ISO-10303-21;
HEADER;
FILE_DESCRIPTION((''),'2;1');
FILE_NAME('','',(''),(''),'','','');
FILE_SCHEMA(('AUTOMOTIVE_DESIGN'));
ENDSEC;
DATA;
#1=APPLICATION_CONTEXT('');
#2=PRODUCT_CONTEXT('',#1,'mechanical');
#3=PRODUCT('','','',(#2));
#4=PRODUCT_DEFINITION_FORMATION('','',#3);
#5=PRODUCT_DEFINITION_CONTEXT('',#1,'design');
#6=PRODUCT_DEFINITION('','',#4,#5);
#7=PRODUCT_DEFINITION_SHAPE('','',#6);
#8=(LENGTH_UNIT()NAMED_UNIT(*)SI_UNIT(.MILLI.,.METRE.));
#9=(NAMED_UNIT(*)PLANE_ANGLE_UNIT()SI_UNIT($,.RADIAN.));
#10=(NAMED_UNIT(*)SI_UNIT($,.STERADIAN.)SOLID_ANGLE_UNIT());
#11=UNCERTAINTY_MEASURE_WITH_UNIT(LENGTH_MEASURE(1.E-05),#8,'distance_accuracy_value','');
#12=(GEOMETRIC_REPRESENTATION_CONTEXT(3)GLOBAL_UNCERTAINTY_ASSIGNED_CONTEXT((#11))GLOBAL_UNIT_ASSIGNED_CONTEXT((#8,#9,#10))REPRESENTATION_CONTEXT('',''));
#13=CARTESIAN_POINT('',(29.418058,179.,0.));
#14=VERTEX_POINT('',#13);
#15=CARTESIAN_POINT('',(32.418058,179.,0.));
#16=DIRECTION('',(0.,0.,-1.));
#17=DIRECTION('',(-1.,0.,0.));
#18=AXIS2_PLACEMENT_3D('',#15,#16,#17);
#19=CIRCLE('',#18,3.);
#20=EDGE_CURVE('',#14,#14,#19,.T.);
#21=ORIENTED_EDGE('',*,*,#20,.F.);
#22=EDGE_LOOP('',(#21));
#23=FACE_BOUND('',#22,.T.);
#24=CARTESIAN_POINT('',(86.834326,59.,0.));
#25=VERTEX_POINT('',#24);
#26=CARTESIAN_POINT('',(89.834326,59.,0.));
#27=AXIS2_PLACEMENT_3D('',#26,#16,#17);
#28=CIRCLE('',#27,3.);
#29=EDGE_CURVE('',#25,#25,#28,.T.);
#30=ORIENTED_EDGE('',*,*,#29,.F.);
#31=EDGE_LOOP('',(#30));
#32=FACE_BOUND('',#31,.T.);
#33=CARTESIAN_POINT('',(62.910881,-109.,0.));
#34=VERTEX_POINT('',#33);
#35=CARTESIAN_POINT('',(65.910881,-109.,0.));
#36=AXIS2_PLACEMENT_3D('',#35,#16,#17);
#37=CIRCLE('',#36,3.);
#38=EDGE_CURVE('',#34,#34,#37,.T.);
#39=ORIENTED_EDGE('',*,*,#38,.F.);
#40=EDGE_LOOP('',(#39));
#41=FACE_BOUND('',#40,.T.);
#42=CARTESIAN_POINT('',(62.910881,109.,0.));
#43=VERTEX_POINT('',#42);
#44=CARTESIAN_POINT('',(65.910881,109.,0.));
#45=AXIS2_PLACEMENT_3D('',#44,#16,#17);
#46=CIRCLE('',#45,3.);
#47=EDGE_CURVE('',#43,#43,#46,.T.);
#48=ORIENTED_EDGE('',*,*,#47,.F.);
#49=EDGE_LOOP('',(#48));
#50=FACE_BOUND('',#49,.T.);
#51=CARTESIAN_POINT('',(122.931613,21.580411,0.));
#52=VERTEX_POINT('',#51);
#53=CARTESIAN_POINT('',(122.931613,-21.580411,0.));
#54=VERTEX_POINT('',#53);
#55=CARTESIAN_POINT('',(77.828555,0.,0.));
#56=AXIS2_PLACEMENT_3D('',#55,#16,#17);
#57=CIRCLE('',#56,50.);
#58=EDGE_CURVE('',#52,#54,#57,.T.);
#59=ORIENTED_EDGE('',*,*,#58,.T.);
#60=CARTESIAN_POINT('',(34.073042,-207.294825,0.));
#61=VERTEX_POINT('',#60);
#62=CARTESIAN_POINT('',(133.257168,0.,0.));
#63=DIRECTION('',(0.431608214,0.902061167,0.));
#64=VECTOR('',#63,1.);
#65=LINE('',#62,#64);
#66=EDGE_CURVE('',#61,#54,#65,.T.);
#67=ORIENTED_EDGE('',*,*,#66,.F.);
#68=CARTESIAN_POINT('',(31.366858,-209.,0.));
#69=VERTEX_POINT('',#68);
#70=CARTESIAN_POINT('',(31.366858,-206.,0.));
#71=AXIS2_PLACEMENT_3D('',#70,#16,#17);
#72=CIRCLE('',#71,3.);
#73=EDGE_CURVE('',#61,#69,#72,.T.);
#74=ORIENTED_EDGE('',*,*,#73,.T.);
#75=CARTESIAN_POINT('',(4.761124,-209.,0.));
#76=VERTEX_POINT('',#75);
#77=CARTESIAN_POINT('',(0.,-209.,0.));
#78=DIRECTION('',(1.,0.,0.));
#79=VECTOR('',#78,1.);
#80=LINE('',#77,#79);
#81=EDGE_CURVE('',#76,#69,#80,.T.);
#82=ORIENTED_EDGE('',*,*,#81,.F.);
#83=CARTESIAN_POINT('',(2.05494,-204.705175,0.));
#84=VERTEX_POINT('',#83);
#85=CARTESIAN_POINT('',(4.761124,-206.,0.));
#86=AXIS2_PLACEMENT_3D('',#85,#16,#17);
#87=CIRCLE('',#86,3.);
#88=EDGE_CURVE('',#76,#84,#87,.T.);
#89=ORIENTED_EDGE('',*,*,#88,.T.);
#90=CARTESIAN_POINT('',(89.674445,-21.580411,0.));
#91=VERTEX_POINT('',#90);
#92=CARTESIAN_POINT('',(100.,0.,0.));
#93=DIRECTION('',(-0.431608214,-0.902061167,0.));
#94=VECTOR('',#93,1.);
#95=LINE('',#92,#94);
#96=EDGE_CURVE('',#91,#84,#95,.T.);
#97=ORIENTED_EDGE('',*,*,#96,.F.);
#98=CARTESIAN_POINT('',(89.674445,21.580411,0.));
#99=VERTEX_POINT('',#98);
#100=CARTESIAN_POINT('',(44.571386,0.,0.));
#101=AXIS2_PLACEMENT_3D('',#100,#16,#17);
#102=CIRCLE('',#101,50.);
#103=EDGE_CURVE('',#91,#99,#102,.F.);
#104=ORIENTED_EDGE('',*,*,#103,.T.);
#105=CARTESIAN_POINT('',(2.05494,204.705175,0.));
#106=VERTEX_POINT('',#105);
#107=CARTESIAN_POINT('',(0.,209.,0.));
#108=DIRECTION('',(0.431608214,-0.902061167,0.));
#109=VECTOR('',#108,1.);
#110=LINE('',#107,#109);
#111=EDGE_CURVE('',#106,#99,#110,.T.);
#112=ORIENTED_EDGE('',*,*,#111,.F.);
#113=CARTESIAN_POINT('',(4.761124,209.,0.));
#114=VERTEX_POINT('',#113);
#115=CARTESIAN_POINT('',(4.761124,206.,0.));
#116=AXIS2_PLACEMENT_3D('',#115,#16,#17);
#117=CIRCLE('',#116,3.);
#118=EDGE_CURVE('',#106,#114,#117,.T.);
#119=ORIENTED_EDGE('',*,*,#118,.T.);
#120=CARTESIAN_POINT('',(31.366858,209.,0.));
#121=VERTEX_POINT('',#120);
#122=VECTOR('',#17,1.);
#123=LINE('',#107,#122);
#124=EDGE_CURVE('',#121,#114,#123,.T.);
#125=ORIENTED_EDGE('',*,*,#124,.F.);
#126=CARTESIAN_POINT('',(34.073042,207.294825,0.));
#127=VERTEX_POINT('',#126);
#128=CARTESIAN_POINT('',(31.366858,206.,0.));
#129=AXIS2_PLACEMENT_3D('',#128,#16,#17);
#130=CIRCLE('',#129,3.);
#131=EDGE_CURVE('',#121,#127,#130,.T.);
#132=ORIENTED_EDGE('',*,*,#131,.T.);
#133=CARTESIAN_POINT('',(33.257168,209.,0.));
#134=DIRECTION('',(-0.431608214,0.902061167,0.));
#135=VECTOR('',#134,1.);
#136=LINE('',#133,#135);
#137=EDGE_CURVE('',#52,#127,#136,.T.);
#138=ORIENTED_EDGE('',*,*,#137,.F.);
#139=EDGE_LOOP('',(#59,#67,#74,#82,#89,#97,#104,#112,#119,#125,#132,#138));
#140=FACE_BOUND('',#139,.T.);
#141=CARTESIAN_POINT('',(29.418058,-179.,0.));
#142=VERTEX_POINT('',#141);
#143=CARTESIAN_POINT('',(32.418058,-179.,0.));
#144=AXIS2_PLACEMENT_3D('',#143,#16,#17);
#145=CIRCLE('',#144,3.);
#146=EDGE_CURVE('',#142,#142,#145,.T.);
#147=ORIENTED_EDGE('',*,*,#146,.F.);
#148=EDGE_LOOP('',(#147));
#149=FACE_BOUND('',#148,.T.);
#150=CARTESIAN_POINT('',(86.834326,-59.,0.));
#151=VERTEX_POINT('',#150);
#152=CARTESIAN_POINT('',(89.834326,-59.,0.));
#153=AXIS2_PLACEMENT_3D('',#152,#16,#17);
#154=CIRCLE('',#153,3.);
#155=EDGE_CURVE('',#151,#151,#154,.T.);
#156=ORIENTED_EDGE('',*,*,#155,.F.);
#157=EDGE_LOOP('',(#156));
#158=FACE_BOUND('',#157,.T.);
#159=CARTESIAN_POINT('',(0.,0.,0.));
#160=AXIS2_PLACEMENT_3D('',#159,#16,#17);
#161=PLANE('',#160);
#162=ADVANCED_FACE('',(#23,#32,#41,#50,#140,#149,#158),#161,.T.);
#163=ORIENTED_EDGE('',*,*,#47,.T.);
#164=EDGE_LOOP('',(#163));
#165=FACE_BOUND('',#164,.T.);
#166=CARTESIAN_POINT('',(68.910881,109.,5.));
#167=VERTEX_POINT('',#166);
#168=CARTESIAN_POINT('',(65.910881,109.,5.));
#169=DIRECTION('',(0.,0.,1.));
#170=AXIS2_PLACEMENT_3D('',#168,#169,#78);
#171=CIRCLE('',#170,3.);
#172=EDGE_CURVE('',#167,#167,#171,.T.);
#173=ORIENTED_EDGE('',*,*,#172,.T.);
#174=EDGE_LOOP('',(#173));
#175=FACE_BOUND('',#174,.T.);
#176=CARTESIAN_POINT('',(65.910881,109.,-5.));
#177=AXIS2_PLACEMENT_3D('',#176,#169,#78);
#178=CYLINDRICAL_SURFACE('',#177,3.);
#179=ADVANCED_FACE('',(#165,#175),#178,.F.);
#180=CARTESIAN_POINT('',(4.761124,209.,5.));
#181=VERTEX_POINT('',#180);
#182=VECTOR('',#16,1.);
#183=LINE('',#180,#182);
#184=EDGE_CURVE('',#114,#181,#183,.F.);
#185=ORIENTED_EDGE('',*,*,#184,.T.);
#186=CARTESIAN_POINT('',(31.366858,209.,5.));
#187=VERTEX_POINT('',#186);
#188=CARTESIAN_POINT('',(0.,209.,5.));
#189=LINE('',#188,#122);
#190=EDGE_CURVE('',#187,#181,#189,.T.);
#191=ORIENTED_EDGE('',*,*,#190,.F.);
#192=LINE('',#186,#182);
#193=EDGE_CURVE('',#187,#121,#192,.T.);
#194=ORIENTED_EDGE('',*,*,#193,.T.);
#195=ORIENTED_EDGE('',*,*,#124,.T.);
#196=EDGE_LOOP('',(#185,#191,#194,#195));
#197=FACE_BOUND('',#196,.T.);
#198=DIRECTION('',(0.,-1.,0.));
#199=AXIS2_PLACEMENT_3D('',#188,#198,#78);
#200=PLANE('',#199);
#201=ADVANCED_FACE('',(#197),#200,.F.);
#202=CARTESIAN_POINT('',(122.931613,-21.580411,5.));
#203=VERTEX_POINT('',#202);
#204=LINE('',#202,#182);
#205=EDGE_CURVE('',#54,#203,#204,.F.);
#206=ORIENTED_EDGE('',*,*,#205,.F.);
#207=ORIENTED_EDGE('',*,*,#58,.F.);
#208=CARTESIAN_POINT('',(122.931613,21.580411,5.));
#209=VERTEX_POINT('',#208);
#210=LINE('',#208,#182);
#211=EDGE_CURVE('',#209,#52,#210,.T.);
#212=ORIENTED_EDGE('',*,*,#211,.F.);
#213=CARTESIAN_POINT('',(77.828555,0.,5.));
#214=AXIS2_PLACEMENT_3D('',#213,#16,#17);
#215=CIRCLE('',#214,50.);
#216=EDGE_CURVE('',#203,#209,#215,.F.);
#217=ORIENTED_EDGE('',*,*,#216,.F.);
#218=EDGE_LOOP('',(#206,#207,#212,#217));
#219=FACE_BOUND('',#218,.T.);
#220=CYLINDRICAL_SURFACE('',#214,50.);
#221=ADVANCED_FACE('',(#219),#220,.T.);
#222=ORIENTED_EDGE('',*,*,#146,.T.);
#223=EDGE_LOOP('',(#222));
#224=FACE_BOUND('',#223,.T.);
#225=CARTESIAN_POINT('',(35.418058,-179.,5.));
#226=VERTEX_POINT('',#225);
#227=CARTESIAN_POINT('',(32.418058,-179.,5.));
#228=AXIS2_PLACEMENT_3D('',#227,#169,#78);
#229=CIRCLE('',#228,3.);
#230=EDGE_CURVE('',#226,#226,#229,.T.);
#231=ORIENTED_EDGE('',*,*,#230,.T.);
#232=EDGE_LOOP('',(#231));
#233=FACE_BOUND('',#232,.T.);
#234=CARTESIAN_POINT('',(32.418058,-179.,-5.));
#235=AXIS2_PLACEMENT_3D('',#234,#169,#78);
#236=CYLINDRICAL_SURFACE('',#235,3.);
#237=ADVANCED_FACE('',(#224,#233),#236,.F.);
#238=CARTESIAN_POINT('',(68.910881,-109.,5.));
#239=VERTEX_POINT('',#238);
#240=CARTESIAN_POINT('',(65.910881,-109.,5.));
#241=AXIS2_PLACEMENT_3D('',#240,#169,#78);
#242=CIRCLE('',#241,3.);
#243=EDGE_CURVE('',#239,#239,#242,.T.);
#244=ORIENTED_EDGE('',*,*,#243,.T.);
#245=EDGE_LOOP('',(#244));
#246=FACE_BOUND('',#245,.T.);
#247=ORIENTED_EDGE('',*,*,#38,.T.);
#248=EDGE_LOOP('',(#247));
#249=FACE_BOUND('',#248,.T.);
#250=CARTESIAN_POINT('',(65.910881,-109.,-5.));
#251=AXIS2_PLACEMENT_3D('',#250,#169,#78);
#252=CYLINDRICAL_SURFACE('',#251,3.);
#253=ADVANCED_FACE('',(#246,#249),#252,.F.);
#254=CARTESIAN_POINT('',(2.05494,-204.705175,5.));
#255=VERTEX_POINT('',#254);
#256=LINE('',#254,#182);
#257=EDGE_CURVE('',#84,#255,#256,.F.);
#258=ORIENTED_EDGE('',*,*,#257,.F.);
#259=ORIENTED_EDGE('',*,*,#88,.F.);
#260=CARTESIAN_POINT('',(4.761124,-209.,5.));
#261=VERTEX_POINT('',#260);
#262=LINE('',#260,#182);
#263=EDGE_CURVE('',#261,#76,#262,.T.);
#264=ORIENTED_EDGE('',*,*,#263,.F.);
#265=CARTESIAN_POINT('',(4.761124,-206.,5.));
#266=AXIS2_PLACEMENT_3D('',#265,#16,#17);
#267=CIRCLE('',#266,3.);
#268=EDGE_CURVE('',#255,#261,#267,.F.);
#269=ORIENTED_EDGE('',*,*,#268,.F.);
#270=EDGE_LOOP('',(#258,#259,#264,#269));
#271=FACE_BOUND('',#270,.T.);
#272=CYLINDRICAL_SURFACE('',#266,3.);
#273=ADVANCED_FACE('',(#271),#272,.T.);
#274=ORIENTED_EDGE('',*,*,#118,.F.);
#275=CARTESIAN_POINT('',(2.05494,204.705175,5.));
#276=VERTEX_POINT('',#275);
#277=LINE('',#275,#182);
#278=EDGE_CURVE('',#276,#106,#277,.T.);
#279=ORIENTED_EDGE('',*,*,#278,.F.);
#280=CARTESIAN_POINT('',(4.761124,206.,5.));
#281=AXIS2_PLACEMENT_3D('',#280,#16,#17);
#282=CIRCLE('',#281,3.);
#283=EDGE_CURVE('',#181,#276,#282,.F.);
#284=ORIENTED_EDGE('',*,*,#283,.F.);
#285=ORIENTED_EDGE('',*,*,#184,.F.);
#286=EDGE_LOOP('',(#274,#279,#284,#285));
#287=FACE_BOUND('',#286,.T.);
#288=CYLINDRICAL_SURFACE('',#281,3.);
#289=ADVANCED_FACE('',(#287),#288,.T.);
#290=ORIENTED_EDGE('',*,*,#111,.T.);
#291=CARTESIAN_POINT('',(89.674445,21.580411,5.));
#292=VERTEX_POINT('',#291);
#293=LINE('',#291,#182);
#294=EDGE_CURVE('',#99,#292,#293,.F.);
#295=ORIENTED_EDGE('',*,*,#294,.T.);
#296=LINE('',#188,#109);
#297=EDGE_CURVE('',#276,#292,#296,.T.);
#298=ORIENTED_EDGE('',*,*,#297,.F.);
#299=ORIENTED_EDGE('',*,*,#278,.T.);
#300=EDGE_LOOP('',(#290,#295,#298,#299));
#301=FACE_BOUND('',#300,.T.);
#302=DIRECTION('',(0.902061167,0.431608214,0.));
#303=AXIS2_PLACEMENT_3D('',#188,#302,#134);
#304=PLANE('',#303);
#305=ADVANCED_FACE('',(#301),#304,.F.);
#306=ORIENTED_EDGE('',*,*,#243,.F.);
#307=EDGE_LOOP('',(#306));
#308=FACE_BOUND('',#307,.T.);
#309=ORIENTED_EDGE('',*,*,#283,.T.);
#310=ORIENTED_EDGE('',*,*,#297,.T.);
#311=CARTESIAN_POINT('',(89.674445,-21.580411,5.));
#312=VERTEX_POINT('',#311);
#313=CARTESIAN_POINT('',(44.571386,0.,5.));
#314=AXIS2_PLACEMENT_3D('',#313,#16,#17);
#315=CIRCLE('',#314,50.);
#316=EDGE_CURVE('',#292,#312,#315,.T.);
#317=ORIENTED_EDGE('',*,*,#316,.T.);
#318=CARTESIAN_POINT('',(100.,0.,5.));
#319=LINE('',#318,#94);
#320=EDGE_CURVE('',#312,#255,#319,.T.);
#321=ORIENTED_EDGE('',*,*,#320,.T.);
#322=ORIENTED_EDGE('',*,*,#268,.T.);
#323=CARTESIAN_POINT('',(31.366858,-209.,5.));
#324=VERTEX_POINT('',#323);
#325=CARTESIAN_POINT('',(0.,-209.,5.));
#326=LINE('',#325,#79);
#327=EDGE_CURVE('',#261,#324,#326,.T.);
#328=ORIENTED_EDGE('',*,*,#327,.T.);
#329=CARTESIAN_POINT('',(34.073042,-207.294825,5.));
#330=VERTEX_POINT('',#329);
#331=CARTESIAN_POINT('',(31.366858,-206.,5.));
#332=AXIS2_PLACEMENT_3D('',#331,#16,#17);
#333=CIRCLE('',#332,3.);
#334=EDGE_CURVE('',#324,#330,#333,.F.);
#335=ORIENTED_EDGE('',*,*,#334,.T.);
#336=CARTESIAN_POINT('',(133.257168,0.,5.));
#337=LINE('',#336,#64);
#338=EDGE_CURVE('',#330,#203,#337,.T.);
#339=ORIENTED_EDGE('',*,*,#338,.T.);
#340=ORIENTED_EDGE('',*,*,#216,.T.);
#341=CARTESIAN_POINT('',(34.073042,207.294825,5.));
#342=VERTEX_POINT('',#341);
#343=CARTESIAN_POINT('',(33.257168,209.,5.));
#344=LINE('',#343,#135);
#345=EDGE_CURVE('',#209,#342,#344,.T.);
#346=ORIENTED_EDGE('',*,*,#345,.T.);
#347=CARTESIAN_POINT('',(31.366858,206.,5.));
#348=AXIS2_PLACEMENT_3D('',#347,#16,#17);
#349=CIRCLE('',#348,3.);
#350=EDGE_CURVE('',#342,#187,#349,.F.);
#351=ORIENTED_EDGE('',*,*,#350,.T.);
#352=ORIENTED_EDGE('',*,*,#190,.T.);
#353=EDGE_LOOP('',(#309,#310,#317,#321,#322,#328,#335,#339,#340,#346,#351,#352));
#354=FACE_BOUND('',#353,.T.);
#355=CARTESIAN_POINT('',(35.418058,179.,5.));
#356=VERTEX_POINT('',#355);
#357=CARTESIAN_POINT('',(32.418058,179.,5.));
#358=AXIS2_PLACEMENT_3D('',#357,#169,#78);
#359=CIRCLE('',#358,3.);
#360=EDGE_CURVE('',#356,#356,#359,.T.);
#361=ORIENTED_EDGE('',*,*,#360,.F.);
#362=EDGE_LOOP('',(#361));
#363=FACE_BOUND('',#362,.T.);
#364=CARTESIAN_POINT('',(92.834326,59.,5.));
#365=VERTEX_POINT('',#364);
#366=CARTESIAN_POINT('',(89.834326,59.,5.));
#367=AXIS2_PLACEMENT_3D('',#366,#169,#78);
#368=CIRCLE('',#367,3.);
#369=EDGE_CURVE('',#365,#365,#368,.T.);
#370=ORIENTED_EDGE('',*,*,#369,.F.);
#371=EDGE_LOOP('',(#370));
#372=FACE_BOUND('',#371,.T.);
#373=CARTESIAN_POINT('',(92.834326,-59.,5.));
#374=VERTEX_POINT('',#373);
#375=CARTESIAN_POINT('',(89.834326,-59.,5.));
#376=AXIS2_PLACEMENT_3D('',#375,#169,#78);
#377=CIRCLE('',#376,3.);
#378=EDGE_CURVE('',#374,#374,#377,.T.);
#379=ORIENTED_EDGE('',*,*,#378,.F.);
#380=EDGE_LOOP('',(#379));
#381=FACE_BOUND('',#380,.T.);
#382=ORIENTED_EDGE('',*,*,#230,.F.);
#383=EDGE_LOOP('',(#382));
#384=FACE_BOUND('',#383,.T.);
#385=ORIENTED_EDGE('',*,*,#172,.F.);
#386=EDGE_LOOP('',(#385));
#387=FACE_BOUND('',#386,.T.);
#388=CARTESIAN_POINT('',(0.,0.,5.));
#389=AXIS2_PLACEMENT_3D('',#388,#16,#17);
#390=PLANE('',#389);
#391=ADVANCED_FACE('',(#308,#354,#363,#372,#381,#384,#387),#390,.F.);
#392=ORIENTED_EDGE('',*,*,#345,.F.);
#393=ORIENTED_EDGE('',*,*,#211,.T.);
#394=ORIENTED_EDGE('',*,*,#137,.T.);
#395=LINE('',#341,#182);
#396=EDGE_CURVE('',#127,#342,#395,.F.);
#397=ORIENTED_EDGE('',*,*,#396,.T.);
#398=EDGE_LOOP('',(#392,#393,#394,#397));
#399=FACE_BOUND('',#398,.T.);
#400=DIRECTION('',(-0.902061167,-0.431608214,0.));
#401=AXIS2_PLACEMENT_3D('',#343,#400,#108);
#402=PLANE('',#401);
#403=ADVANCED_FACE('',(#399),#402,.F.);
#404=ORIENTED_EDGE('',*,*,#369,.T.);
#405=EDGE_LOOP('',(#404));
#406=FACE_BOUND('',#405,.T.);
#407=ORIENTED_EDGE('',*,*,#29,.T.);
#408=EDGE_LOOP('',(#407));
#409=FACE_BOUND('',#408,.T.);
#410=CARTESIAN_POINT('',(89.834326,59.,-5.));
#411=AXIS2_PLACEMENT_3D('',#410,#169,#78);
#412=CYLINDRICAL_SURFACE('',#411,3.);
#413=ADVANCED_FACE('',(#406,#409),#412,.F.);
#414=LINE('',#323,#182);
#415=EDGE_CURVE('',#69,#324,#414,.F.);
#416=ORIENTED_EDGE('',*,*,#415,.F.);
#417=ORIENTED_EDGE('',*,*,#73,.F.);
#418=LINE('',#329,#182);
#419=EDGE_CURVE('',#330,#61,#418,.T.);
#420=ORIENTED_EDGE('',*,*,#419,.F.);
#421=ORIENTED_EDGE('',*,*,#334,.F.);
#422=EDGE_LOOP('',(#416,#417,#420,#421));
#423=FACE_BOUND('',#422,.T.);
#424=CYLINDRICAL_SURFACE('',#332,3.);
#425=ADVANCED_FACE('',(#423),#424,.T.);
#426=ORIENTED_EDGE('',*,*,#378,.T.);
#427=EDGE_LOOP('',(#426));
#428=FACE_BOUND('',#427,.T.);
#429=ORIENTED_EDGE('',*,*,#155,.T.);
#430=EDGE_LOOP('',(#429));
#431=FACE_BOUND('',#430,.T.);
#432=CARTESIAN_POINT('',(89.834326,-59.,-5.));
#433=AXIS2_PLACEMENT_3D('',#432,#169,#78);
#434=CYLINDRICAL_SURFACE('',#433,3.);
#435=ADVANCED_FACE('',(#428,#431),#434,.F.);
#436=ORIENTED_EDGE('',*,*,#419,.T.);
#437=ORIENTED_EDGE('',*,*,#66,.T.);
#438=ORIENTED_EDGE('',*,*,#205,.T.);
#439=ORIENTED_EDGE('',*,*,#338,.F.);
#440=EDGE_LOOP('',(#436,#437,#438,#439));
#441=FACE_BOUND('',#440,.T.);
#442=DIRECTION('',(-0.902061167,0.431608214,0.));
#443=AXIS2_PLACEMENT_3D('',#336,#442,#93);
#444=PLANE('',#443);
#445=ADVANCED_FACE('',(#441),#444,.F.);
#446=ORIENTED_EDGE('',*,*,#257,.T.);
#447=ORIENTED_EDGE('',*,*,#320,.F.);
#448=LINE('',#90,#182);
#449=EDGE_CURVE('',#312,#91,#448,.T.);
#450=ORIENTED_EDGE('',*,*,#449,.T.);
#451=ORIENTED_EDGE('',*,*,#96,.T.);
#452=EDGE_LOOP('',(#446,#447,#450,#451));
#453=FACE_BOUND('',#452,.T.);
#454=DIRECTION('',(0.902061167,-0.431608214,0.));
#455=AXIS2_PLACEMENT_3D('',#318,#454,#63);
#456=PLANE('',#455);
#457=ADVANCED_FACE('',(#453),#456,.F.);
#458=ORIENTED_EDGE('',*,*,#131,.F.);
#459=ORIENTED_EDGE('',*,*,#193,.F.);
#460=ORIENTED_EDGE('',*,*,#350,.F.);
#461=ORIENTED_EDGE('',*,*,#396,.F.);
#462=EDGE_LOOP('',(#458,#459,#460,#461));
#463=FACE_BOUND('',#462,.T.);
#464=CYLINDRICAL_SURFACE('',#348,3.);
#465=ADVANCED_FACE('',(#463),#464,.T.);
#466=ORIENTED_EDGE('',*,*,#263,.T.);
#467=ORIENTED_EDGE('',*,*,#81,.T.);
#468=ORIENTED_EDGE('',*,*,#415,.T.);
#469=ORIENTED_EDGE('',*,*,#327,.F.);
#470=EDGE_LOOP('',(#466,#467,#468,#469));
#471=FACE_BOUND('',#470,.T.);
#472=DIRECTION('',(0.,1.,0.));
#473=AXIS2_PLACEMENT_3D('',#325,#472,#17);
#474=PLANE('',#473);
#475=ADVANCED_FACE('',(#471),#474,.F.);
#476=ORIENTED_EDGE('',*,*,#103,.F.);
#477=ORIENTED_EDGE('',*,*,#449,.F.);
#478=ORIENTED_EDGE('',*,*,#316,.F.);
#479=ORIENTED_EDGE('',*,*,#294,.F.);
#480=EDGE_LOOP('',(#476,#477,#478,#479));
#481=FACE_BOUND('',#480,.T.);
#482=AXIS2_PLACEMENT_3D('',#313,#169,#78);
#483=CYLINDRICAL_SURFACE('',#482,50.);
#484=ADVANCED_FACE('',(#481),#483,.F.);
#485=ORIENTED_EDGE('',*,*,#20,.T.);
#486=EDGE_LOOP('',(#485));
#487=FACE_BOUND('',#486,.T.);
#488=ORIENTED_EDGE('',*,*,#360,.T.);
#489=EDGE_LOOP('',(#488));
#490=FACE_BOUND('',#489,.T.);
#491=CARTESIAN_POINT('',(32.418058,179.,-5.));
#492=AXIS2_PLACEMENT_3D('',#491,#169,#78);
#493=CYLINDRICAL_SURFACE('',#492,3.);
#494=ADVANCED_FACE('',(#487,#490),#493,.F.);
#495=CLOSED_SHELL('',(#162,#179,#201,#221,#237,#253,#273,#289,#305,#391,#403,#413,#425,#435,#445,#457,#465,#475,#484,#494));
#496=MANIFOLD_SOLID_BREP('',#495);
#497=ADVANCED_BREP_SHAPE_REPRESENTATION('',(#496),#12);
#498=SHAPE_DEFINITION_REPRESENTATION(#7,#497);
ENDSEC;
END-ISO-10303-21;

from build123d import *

# Parameters (mm, degrees)
Y_KSEKLIK_EKSTR_ZYON1_DEPTH = 5
RADYUS1_R                   = 3
RADYUS2_R                   = 50
IZIM2_R                     = 3
KES_EKSTR_ZYON1_DEPTH       = 10


with BuildPart() as part:
    # Çizim1 → Yükseklik-Ekstrüzyon1 (new body)
    with BuildSketch(Plane.XY):
        Polygon((0, 209), (100, 0), (0, -209), (33.257168235, -209), (133.257168235, 0), (33.257168235, 209), align=None)
    extrude(amount=Y_KSEKLIK_EKSTR_ZYON1_DEPTH)

    # Radyus1
    radyus1_edges = [part.edges().sort_by_distance(p)[0] for p in [
        (0, -209, 2.5),
        (0, 209, 2.5),
        (33.257168235, 209, 2.5),
        (33.257168235, -209, 2.5),
    ]]
    fillet(radyus1_edges, radius=RADYUS1_R)

    # Radyus2
    radyus2_edges = [part.edges().sort_by_distance(p)[0] for p in [
        (100, 0, 2.5),
        (133.257168235, 0, 2.5),
    ]]
    fillet(radyus2_edges, radius=RADYUS2_R)

    # Çizim2 → Kes-Ekstrüzyon1 (cut)
    with BuildSketch(Plane.XY.offset(5)):
        with Locations((32.418057802, 179)):
            Circle(IZIM2_R)
        with Locations((65.910880768, 109)):
            Circle(IZIM2_R)
        with Locations((89.834325744, 59)):
            Circle(IZIM2_R)
        with Locations((89.834325744, -59)):
            Circle(IZIM2_R)
        with Locations((65.910880768, -109)):
            Circle(IZIM2_R)
        with Locations((32.418057802, -179)):
            Circle(IZIM2_R)
    extrude(amount=-KES_EKSTR_ZYON1_DEPTH, mode=Mode.SUBTRACT)


solid = part.part
